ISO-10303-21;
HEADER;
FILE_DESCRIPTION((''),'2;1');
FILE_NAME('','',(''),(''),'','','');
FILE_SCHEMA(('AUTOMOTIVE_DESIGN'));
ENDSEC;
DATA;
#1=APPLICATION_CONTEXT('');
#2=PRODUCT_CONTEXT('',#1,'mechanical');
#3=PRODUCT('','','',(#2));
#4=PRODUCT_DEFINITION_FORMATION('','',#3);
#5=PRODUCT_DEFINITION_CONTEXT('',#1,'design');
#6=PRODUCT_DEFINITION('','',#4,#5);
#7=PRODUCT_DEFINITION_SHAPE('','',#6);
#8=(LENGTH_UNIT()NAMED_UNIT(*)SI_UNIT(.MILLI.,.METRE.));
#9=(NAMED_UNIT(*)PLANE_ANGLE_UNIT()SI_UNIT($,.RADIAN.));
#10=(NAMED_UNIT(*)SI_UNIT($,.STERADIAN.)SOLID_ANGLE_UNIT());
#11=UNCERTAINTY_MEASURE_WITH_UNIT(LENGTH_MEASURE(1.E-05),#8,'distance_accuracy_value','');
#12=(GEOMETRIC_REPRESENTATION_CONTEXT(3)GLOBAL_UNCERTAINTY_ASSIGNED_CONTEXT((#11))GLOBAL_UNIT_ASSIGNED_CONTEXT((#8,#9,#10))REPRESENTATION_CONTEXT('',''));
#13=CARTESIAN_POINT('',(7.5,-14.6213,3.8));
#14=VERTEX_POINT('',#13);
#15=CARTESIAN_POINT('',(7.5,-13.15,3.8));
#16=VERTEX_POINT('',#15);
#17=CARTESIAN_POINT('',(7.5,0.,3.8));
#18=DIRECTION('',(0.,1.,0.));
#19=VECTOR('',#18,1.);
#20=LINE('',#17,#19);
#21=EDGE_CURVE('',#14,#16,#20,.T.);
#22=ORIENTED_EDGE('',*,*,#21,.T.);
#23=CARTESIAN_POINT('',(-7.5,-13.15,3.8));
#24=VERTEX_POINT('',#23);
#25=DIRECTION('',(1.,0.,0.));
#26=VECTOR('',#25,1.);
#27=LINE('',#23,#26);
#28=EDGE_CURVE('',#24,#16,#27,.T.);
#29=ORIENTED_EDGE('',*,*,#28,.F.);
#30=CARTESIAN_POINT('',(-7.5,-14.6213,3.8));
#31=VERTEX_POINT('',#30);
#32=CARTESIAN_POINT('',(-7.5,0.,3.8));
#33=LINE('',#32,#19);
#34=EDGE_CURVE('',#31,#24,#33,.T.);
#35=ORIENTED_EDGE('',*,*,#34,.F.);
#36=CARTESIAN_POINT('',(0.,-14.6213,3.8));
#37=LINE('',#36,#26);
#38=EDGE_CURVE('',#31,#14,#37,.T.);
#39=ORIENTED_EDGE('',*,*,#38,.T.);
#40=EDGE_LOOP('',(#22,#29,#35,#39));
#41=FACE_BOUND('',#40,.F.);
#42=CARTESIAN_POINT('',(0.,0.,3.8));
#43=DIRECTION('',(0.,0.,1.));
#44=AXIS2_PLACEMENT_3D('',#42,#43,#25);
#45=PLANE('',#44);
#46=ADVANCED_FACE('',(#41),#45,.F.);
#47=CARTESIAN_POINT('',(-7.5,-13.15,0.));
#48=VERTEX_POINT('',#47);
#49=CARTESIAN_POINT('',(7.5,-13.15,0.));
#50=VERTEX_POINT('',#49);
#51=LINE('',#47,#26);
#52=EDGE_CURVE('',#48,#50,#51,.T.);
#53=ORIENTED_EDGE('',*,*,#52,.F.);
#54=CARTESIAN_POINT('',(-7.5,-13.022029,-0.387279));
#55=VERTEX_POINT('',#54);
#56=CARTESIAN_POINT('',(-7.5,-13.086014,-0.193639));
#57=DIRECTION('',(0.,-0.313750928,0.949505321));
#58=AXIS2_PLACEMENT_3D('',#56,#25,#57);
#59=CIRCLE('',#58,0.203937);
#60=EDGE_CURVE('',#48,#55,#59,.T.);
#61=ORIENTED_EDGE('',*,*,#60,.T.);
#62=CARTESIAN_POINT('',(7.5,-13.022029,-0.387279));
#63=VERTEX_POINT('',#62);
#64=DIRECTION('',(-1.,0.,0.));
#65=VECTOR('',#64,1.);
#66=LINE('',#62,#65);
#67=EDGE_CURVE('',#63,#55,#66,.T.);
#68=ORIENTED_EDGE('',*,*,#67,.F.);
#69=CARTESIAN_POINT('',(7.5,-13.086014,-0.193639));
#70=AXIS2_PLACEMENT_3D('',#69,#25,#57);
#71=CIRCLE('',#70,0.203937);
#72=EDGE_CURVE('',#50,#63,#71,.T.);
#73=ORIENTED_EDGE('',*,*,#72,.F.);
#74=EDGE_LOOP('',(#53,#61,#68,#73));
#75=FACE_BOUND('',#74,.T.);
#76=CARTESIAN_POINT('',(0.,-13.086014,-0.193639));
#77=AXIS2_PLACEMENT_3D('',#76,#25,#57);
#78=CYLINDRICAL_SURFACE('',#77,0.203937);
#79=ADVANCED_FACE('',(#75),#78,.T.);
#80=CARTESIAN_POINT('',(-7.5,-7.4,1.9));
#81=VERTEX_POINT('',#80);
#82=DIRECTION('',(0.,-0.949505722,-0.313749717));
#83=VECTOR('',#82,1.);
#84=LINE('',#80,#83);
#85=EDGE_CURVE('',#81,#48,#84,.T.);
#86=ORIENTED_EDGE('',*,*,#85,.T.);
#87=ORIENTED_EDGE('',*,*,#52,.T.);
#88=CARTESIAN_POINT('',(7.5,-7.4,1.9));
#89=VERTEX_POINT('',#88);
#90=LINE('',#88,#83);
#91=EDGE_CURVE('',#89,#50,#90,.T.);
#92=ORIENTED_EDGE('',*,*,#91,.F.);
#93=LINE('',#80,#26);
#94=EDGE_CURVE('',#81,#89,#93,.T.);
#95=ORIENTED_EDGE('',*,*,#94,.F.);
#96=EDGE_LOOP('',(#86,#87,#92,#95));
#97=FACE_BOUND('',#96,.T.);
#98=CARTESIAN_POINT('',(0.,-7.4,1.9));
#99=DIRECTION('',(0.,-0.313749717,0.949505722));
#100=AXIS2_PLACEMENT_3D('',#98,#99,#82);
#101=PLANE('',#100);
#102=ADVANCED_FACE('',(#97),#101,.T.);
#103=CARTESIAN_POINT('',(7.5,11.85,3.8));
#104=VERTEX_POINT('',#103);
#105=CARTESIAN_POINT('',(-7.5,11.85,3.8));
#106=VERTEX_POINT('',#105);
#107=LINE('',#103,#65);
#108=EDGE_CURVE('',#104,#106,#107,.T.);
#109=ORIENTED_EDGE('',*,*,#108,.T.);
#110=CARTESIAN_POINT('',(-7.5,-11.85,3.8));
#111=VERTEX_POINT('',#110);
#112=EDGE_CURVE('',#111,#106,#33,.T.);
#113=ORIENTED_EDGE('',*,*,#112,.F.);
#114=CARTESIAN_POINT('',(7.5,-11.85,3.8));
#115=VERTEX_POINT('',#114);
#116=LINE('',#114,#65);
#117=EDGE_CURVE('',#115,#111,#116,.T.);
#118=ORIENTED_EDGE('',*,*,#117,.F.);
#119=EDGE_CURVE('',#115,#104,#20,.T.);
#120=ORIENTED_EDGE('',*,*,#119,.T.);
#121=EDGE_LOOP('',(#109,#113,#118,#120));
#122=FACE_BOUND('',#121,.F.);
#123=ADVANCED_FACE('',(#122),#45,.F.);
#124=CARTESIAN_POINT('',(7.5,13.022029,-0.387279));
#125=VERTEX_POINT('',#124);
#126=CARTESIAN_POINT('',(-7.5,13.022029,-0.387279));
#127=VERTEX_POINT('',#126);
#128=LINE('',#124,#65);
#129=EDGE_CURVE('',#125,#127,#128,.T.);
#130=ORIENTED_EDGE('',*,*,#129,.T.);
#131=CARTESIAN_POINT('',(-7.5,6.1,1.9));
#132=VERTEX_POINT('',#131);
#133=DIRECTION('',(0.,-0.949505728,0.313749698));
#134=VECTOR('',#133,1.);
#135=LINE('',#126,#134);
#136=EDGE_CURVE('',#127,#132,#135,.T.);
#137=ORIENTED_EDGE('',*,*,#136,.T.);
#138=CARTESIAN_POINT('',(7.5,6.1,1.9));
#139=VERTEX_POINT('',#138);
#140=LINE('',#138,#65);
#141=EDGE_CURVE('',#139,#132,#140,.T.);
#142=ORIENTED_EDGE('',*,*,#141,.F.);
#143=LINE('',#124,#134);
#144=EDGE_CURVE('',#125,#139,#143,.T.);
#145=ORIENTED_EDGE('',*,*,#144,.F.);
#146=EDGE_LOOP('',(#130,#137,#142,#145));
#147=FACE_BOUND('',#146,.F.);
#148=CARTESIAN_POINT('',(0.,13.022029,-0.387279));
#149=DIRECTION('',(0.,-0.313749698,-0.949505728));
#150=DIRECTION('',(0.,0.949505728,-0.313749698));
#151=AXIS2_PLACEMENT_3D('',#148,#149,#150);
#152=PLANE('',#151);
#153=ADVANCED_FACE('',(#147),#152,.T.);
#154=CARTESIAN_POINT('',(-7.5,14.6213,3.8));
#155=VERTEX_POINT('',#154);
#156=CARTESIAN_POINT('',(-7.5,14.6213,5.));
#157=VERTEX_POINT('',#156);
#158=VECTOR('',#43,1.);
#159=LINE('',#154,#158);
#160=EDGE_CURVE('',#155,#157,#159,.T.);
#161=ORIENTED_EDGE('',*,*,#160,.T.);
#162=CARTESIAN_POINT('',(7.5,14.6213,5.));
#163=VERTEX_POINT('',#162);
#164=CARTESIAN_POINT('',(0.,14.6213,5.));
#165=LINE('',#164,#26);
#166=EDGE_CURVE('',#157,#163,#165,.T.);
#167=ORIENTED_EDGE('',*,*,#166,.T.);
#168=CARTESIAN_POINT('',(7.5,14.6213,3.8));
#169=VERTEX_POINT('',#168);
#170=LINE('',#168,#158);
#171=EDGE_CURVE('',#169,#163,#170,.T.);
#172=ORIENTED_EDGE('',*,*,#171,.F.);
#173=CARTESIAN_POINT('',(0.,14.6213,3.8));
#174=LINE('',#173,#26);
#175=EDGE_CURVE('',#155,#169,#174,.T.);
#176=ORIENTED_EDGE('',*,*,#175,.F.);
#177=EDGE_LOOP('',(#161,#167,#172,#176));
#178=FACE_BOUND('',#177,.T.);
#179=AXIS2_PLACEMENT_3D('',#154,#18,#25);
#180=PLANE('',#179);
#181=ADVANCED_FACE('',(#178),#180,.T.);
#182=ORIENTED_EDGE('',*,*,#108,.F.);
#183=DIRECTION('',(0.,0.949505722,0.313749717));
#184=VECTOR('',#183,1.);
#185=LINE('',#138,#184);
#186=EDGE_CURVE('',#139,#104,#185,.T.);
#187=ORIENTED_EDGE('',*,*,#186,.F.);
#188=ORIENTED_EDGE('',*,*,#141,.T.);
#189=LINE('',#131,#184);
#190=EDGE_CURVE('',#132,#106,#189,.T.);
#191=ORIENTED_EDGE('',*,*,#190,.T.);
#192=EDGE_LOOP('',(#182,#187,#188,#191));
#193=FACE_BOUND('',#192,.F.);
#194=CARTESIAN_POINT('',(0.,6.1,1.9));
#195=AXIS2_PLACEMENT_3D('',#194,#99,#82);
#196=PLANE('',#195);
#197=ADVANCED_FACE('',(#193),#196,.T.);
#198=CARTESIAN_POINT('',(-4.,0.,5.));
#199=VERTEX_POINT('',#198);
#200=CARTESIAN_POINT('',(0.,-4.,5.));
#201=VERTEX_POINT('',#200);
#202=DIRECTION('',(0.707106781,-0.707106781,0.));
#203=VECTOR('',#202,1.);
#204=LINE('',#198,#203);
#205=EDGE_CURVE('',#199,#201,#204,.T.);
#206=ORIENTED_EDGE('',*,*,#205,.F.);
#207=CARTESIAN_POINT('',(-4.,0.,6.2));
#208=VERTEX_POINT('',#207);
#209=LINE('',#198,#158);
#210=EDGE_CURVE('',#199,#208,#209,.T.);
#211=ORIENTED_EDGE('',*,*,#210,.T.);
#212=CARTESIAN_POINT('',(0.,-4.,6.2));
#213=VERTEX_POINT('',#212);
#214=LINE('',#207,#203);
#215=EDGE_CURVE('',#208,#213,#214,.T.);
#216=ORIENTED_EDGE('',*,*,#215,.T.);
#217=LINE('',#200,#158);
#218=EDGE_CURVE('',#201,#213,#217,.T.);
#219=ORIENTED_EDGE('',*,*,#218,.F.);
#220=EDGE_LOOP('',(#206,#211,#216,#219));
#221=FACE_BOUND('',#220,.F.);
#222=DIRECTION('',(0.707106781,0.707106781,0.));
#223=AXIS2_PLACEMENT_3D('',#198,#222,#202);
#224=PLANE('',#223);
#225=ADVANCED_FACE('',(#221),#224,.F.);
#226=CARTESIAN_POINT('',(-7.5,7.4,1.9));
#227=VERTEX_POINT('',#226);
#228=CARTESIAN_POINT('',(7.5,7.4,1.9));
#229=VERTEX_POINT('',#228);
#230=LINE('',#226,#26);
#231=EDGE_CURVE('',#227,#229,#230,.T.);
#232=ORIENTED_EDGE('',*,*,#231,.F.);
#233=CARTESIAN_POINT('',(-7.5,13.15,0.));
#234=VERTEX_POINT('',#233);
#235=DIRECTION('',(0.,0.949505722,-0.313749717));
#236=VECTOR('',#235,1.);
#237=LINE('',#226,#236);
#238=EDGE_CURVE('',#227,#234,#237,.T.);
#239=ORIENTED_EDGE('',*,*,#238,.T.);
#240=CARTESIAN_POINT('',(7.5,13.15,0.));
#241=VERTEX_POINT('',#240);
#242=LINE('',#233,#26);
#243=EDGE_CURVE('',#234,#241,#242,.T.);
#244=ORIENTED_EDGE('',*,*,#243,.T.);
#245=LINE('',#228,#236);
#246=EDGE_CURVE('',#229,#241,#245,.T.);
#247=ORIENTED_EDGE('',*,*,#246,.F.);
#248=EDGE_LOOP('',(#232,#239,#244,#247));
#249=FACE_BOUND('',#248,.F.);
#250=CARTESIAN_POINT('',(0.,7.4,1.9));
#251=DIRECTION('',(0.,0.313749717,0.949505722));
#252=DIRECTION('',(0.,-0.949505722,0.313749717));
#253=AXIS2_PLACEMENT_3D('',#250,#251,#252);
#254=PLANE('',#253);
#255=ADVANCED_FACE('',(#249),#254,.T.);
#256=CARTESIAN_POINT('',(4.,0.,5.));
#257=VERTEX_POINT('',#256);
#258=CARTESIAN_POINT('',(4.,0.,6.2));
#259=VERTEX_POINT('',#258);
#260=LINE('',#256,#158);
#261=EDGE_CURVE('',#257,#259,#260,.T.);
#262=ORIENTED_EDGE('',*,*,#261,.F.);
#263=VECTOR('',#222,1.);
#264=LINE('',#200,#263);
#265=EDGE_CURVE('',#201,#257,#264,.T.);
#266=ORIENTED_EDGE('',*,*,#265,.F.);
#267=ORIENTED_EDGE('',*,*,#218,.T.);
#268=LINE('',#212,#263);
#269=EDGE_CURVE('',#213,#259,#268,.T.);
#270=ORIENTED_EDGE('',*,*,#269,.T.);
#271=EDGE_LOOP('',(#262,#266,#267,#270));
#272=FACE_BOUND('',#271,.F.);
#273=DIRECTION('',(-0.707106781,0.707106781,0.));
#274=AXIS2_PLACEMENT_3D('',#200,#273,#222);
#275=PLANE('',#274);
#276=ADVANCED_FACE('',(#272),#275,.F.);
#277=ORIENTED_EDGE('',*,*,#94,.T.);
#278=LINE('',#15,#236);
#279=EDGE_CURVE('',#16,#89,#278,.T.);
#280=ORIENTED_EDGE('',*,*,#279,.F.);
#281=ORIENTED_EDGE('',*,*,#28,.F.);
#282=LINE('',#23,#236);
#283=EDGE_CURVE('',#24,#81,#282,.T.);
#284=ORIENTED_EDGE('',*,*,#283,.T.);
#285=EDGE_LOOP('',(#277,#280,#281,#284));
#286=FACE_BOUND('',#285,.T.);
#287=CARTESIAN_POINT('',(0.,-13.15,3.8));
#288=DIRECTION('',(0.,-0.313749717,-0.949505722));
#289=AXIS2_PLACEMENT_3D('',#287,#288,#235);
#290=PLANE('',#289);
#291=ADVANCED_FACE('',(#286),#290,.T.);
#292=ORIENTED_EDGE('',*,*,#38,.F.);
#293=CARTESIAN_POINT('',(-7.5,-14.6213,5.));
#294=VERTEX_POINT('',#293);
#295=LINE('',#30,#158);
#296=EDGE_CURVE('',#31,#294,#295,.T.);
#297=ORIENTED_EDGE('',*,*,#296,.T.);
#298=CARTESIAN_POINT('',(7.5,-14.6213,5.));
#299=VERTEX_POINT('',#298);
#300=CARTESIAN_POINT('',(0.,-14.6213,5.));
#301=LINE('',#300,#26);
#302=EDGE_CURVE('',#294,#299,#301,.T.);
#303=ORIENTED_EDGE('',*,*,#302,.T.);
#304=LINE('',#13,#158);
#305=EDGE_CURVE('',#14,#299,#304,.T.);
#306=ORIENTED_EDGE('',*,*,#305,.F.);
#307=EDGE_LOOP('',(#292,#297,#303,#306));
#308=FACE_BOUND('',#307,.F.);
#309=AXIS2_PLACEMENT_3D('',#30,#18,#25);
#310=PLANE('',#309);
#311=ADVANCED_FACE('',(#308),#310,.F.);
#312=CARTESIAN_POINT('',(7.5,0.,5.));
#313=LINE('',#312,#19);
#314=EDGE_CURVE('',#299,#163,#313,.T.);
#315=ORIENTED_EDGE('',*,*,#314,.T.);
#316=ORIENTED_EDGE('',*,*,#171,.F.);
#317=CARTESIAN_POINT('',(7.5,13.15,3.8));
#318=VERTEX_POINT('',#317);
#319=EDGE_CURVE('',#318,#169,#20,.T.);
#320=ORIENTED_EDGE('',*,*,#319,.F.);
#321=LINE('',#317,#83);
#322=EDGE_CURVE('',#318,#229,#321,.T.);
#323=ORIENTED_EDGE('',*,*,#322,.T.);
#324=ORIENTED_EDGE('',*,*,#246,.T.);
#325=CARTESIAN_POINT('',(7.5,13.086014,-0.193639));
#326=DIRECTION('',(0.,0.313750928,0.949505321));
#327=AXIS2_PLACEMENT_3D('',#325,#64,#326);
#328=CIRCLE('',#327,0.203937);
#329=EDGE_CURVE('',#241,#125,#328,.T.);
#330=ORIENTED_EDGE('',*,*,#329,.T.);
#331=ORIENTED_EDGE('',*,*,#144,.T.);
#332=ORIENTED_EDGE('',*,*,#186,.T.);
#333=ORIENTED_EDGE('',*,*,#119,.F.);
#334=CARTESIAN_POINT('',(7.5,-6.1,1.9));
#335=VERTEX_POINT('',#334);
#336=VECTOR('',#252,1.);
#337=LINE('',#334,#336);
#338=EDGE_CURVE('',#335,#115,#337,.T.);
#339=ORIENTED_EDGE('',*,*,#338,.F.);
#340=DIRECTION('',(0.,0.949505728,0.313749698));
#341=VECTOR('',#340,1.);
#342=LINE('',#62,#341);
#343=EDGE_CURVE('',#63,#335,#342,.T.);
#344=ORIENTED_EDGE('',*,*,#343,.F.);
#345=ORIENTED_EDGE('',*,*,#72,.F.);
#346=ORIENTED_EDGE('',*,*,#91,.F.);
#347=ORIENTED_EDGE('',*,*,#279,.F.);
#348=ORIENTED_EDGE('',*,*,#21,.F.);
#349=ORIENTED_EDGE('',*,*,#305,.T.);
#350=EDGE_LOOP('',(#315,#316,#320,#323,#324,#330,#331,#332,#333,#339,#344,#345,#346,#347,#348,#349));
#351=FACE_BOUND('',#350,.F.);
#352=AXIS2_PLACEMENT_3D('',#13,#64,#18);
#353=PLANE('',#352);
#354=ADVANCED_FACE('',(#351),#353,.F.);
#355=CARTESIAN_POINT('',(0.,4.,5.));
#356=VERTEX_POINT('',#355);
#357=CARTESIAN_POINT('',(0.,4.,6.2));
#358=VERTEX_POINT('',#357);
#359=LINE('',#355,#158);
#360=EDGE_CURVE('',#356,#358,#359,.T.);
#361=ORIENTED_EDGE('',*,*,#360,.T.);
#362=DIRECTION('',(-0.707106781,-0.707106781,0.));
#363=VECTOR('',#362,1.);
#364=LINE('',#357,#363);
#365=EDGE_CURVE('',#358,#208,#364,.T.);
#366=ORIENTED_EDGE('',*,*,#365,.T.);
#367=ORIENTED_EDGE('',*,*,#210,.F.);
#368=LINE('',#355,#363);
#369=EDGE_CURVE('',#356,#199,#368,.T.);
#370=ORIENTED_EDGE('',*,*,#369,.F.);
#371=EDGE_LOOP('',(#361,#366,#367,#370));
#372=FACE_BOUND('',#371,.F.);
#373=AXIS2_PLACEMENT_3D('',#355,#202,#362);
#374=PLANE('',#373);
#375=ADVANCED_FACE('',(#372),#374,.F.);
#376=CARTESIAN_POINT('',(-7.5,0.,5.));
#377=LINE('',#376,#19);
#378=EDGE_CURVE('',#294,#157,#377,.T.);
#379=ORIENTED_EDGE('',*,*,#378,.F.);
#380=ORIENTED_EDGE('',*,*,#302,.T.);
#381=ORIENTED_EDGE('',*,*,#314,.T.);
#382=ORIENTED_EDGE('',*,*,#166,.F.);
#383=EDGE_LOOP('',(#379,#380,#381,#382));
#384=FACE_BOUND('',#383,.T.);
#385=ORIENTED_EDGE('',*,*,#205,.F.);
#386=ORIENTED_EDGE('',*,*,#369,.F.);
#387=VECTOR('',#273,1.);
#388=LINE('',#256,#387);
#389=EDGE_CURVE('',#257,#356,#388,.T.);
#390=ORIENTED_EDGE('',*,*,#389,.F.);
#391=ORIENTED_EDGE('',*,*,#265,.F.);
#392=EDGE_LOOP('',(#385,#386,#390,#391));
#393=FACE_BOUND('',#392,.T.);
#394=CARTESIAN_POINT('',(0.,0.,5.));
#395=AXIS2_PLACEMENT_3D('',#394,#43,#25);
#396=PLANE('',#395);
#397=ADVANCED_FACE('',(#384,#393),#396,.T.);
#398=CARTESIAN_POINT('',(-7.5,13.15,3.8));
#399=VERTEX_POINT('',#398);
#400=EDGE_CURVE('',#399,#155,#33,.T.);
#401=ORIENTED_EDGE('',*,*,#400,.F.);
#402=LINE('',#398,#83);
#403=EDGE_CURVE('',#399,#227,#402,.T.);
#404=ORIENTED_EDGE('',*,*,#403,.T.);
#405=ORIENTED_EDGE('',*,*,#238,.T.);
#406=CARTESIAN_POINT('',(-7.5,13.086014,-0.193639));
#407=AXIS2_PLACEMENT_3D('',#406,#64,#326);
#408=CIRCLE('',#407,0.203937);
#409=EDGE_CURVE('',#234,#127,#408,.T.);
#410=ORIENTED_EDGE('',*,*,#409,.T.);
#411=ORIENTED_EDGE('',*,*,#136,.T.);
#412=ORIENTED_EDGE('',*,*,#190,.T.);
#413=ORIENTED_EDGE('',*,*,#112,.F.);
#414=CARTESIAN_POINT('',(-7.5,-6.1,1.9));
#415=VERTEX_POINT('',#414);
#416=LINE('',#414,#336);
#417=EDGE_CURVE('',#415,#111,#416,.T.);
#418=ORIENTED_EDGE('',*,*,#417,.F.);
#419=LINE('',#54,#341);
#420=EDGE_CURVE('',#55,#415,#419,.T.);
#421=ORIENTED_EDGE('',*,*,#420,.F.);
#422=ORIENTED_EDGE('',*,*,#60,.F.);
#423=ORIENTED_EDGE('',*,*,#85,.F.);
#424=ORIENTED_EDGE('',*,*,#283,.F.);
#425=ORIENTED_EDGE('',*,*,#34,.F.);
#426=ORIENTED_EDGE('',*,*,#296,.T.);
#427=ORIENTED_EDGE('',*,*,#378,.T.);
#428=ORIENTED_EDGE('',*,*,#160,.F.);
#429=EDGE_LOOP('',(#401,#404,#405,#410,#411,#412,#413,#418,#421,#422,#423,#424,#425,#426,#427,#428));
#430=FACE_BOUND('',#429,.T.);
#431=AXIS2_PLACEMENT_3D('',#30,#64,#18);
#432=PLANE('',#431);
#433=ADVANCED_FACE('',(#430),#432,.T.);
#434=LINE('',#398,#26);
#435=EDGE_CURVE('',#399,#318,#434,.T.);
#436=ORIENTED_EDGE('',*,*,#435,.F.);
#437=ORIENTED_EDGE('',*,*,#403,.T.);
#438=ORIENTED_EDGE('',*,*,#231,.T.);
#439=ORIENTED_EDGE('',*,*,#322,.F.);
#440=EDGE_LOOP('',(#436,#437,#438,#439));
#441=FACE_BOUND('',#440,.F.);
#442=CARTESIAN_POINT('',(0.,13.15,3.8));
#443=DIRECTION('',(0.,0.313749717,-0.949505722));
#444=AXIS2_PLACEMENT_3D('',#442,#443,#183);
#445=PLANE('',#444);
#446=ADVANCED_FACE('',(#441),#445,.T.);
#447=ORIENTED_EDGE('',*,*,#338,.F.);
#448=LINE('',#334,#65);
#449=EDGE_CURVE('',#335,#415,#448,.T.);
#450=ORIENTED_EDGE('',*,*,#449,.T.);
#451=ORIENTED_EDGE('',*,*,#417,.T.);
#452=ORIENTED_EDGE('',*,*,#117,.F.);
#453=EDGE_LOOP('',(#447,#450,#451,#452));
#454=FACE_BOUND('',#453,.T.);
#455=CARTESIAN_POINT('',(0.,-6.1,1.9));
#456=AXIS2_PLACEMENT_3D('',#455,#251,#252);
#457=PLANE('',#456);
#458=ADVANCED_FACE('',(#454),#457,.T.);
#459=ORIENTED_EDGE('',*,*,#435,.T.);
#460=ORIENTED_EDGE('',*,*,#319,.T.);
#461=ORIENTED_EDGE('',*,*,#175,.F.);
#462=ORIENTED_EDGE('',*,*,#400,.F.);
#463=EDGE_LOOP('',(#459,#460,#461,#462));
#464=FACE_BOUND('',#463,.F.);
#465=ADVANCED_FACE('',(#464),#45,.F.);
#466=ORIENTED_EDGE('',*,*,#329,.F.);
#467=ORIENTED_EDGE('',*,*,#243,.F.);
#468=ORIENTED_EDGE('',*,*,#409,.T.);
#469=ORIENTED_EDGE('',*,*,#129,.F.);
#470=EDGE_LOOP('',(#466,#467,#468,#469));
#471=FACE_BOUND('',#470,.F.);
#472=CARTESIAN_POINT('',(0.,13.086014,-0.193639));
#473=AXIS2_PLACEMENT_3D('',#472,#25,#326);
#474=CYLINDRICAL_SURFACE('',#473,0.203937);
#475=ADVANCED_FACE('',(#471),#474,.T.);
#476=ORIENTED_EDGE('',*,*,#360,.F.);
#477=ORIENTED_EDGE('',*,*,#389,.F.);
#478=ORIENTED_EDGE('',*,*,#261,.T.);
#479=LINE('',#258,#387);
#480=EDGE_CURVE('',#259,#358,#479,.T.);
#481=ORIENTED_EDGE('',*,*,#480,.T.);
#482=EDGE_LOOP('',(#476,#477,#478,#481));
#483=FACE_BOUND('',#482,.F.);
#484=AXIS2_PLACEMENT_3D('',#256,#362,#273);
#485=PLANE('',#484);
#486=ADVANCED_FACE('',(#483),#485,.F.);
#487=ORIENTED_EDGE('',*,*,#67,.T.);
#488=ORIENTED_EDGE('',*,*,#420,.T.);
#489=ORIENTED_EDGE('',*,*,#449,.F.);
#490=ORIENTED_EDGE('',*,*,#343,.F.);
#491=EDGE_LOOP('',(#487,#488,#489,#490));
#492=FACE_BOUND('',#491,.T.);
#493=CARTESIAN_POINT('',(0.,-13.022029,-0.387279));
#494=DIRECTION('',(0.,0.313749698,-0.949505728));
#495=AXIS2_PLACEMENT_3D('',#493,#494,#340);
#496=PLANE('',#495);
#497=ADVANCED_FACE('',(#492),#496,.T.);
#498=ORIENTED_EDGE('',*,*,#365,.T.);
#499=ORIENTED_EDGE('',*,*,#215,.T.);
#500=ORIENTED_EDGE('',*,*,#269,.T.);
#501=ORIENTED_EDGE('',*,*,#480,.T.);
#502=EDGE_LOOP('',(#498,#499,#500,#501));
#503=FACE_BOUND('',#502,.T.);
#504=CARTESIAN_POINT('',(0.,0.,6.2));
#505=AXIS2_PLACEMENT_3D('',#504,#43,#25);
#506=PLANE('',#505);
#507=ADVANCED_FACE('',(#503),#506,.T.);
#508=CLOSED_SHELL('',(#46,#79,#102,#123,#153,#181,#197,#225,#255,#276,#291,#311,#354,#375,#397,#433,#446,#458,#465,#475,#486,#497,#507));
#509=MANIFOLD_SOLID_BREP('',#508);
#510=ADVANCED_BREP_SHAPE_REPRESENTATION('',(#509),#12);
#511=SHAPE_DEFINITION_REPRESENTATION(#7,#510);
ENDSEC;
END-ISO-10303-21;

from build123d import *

# Parameters (mm, degrees)
PAD011_DEPTH = 7.5
SKETCH014_W  = 15
SKETCH014_H  = 29.2426
PAD012_DEPTH = 1.2
PAD013_DEPTH = 1.2


with BuildPart() as part:
    # Sketch015 → Pad011 (new body, symmetric)
    with BuildSketch(Plane.YZ):
        with BuildLine():
            Line((-11.85, 3.8), (-13.15, 3.8))
            Line((-13.15, 3.8), (-7.4, 1.9))
            Line((-7.4, 1.9), (-13.15, 0))
            ThreePointArc((-13.15, 0), (-13.279654, -0.257625), (-13.022029, -0.387279))
            Line((-13.022029, -0.387279), (-6.1, 1.9))
            Line((-6.1, 1.9), (-11.85, 3.8))
        make_face()
    pad011 = extrude(amount=PAD011_DEPTH, both=True)

    # Sketch014 (on DatumPlane) → Pad012 (join)
    with BuildSketch(Plane.XY.offset(3.8)):
        Rectangle(SKETCH014_W, SKETCH014_H)
    extrude(amount=PAD012_DEPTH)

    # Mirrored002: Pad011 across Sketch015 V_Axis
    add(pad011.mirror(Plane(origin=(0, 0, 0), x_dir=(1, 0, 0), z_dir=(0, 1, 0))))

    # Sketch018 → Pad013 (join)
    with BuildSketch(Plane.XY.offset(5)):
        Polygon((4, 0), (0, 4), (-4, 0), (0, -4), align=None)
    extrude(amount=PAD013_DEPTH)


solid = part.part
